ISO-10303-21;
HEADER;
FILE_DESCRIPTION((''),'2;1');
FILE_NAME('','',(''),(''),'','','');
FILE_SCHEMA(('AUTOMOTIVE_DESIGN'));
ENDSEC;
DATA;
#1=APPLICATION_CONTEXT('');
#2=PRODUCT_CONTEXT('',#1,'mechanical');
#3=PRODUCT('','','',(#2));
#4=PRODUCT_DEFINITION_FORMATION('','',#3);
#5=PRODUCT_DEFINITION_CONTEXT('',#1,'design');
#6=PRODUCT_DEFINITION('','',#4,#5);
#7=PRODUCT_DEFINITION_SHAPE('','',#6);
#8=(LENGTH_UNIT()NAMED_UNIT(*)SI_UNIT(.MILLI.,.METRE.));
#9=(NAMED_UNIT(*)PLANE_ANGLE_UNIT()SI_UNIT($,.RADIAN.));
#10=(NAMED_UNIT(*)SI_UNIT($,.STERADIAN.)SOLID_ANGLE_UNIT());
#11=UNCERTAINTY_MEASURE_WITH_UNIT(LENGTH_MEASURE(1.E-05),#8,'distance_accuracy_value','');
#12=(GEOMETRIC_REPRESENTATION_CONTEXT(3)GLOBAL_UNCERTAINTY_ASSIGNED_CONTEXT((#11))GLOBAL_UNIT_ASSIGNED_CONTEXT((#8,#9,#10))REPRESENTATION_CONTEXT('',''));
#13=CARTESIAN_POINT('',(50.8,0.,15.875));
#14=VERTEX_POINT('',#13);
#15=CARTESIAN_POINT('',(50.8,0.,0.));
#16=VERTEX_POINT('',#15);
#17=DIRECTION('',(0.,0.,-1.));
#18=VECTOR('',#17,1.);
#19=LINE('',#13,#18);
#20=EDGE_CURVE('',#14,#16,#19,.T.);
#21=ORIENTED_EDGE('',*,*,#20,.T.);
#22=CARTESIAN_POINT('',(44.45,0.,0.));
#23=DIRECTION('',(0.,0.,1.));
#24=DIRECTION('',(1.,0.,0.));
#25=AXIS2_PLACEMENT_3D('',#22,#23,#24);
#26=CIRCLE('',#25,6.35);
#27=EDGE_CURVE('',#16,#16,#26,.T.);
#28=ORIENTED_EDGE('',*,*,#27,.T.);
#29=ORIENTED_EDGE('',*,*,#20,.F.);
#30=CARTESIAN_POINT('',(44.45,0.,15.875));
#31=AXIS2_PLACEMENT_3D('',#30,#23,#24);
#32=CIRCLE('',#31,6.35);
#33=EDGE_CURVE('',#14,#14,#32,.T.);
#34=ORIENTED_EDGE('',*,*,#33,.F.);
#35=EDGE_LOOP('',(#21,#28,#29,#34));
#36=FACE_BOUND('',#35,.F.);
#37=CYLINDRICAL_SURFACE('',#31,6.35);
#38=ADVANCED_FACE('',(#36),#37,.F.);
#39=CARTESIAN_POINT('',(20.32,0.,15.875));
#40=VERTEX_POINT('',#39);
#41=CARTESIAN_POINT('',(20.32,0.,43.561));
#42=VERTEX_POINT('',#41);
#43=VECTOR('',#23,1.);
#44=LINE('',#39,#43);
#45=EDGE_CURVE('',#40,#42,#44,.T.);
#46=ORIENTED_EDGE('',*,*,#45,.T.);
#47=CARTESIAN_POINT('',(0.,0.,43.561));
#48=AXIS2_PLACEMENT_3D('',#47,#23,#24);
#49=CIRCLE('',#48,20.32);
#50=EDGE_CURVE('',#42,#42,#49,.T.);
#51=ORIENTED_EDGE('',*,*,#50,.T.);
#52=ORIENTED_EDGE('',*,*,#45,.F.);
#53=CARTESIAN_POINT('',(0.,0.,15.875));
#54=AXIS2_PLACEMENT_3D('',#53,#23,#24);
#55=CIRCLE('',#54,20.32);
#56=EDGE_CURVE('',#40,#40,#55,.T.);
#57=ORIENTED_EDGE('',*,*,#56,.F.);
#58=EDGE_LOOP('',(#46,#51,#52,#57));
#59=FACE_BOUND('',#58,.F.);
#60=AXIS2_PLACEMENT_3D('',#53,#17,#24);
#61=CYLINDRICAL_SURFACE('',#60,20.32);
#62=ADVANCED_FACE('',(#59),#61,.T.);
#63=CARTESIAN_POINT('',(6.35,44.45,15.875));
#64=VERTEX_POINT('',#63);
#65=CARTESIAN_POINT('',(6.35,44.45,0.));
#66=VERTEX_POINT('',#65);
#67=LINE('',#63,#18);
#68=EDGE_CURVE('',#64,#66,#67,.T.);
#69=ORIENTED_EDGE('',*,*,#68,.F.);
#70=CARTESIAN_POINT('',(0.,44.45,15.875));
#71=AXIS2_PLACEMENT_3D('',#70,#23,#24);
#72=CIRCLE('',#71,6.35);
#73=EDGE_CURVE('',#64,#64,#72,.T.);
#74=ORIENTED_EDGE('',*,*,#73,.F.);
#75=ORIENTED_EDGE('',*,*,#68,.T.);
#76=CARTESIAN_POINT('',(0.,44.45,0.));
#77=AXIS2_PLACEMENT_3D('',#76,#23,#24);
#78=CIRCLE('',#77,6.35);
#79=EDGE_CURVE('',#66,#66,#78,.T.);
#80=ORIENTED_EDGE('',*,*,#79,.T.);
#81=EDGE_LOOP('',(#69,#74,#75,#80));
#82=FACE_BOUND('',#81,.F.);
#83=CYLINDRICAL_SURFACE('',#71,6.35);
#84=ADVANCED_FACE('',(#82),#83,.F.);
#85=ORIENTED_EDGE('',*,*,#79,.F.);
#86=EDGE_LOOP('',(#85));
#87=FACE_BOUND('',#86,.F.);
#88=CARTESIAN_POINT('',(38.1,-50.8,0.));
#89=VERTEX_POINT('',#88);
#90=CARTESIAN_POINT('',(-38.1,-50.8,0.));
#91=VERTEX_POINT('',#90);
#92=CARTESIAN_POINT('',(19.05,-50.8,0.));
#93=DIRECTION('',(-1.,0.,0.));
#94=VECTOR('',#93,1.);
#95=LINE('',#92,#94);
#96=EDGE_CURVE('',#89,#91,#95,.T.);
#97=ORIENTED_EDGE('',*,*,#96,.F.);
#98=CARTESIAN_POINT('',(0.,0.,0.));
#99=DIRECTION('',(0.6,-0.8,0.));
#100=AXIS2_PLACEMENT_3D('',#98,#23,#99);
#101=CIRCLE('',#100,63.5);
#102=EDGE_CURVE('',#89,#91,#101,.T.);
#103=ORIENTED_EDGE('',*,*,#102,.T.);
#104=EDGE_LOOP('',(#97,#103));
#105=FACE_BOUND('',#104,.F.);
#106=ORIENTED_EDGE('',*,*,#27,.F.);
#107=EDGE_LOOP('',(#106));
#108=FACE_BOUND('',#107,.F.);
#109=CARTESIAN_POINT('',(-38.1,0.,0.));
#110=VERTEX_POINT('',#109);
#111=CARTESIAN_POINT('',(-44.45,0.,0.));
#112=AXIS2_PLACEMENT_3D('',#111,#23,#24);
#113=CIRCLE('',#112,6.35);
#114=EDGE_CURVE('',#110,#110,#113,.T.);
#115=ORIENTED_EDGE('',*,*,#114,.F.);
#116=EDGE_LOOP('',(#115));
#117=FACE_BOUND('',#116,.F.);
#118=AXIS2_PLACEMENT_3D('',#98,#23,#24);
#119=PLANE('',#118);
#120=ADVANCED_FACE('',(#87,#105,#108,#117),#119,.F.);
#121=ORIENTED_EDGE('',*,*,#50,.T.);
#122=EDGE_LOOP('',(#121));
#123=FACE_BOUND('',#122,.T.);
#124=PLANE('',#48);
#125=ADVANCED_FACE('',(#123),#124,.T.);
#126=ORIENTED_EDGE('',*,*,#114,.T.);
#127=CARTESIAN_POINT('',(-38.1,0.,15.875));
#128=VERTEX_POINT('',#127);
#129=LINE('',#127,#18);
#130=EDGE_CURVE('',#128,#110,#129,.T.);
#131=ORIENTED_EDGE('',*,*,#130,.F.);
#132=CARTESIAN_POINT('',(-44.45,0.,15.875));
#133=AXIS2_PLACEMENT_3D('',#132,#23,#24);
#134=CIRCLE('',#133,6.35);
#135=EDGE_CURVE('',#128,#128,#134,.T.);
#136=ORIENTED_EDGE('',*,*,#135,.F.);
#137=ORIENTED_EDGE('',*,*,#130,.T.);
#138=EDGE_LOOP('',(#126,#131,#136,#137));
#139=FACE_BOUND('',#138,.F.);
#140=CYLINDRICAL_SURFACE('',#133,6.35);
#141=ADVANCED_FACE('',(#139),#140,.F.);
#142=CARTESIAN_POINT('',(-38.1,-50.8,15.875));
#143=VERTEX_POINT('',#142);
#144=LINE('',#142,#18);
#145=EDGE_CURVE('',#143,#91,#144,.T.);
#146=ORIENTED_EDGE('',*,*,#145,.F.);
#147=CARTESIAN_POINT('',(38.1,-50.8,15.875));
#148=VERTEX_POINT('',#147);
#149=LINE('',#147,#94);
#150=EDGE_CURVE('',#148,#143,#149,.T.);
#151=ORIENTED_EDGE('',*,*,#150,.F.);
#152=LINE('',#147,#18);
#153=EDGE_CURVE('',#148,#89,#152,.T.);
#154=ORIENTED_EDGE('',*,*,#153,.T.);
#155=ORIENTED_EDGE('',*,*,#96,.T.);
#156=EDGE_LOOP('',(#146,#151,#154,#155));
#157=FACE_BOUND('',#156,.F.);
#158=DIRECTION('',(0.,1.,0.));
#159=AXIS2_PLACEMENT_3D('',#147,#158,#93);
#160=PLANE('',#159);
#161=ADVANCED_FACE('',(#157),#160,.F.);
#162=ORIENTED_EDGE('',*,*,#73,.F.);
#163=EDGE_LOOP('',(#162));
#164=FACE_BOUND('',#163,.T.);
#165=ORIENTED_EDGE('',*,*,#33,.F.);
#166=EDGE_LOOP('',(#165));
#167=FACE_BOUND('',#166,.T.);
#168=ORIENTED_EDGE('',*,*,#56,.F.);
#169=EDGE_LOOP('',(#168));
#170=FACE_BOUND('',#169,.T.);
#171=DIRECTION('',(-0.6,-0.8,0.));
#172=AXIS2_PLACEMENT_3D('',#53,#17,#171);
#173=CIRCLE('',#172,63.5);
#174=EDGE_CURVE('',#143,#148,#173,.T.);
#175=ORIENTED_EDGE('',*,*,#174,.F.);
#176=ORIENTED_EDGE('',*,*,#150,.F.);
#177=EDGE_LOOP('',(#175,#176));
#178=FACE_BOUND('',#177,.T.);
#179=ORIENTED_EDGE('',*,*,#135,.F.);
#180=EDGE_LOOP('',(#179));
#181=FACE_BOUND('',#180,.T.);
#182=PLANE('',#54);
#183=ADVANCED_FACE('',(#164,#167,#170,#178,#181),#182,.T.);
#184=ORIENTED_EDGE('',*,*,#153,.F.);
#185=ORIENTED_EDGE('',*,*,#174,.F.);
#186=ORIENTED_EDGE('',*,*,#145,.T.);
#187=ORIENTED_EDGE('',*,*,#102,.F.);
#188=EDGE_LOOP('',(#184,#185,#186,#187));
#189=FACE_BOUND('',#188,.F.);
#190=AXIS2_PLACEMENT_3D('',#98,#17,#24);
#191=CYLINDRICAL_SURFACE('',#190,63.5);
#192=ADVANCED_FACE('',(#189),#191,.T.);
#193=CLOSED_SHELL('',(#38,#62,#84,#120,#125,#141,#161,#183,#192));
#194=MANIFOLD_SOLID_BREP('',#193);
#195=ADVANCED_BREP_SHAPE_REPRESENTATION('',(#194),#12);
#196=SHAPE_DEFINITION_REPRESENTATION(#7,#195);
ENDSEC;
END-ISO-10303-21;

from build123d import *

# Parameters (mm, degrees)
F0_R      = 63.5
F1_DEPTH  = 15.875
F3_DEPTH  = 25.4
F6_R      = 6.35
F7_DEPTH  = 25.4
F8_R      = 20.32
F9_DEPTH  = 27.94
F11_R     = 20.32
F12_DEPTH = 27.686


with BuildPart() as f1:
    # F0 (on Top) → F1 (new body)
    with BuildSketch(Plane.XY):
        Circle(F0_R)
    extrude(amount=F1_DEPTH)

    # F2 (on face) → F3 (cut)
    with BuildSketch(Plane.XY.offset(15.875)):
        with BuildLine():
            Line((38.1, -50.8), (-38.1, -50.8))
            ThreePointArc((-38.1, -50.8), (0, -63.5), (38.1, -50.8))
        make_face()
    extrude(amount=-F3_DEPTH, mode=Mode.SUBTRACT)


with BuildPart() as f4_1:
    # F4: copy of F1
    add(f1.part)


with BuildPart() as f5_1:
    # F5: copy of F1
    add(f1.part)


with BuildPart() as f7_tool:
    # F6 (on face) → F7 (new body)
    with BuildSketch(Plane.XY.offset(15.875)):
        with Locations((44.45, 0)):
            Circle(F6_R)
        with Locations((0, 44.45)):
            Circle(F6_R)
        with Locations((-44.45, 0)):
            Circle(F6_R)
    extrude(amount=-F7_DEPTH)


with BuildPart() as f1_1:
    add(f1.part)

    # F7: cut by f7_tool
    add(f7_tool.part, mode=Mode.SUBTRACT)

    # F11 (on face) → F12 (join)
    with BuildSketch(Plane.XY.offset(15.875)):
        Circle(F11_R)
    extrude(amount=F12_DEPTH)


with BuildPart() as f4_1_1:
    add(f4_1.part)

    # F7: cut by f7_tool
    add(f7_tool.part, mode=Mode.SUBTRACT)


with BuildPart() as f5_1_1:
    add(f5_1.part)

    # F7: cut by f7_tool
    add(f7_tool.part, mode=Mode.SUBTRACT)


with BuildPart() as f9:
    # F8 (on face) → F9 (new body)
    with BuildSketch(Plane.XY.offset(15.875)):
        with Locations((0, 3.125413)):
            Circle(F8_R)
    extrude(amount=F9_DEPTH)


solid = f1_1.part
